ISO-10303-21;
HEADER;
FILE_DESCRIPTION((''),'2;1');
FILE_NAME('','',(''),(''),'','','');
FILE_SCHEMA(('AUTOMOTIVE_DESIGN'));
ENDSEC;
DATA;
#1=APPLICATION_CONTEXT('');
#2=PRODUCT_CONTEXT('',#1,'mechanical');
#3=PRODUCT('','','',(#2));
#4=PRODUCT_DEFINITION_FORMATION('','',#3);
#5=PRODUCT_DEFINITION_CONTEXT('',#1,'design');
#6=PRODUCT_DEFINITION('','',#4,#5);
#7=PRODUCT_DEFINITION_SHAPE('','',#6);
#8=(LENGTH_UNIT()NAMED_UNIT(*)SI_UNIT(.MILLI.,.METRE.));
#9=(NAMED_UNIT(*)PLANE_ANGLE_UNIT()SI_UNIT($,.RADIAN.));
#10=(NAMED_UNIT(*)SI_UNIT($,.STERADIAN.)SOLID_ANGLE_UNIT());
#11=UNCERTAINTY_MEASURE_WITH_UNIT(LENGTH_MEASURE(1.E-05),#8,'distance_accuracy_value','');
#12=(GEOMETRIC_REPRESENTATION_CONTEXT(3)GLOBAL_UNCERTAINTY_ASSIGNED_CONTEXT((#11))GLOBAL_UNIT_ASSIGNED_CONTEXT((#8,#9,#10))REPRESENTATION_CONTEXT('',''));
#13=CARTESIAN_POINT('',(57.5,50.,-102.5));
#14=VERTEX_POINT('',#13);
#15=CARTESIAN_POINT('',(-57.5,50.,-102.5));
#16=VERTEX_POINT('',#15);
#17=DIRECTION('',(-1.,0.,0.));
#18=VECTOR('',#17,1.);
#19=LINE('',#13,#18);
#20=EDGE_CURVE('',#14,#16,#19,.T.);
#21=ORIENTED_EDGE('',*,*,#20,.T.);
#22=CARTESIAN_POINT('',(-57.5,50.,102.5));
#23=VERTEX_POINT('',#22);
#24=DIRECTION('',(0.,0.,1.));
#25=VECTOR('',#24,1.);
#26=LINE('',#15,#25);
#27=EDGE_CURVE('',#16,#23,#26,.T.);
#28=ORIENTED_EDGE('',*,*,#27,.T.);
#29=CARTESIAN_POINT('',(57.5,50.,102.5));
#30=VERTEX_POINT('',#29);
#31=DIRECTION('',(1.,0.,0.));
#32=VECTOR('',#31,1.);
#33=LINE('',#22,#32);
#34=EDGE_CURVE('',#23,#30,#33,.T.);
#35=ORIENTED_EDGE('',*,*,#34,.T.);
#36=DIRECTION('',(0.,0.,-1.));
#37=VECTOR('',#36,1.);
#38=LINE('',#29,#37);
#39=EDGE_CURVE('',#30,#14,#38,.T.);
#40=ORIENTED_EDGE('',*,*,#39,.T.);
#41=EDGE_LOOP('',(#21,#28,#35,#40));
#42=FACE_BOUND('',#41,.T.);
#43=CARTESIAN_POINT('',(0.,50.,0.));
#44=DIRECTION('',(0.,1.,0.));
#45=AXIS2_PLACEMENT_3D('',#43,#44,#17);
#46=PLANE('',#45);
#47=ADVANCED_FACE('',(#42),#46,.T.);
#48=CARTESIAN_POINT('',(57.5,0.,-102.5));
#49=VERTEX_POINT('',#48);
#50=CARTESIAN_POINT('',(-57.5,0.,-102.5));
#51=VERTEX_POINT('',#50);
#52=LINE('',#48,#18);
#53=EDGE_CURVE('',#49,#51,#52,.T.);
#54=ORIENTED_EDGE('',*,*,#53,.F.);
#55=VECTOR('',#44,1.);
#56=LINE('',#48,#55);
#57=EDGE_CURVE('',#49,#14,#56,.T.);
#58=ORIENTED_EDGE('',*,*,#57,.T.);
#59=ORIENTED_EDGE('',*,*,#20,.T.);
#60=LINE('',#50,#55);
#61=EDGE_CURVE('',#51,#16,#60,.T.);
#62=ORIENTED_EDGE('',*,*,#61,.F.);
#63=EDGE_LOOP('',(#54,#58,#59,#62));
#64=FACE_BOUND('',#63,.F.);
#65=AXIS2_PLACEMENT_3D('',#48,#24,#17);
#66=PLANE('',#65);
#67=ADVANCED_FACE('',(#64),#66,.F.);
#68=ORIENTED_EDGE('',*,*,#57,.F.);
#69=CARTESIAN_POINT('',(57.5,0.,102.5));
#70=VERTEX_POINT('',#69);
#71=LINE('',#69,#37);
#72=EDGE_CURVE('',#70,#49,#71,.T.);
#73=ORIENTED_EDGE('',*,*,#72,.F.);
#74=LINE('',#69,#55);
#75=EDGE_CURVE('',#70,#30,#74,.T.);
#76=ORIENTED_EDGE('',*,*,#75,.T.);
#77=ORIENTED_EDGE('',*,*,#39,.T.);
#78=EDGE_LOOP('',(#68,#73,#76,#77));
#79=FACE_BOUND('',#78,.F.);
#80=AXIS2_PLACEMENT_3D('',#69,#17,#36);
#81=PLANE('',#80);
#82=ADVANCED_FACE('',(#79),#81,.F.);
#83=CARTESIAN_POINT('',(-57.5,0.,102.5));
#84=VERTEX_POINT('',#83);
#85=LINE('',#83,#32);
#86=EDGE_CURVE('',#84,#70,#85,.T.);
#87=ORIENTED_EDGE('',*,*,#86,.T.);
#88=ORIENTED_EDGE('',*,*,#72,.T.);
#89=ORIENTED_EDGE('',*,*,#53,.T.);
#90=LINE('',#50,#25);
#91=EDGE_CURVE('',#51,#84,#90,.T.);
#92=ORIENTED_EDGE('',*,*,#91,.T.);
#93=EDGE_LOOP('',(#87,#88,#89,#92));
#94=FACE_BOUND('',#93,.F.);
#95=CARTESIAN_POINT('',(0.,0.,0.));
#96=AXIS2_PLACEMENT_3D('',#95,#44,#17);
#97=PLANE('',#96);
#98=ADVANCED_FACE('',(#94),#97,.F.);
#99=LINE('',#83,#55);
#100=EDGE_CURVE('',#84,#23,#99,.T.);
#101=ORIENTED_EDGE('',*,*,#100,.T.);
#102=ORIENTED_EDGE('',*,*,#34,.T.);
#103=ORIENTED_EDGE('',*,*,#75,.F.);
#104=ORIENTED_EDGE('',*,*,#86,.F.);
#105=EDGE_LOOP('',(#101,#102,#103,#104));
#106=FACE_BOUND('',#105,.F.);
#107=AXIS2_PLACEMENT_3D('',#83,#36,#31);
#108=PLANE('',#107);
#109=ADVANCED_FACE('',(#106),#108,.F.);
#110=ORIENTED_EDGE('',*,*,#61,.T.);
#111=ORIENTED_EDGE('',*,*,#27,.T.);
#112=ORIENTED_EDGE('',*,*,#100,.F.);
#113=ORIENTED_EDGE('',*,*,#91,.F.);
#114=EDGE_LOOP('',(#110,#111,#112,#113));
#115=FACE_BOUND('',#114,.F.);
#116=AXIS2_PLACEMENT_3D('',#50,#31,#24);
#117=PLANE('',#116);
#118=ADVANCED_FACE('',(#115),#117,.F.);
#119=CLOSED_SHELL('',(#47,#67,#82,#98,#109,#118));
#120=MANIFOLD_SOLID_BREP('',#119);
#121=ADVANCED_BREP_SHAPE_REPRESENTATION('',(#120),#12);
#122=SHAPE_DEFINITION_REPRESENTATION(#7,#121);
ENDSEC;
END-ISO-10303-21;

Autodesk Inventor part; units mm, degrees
ref_plane "YZ Plane" through (0, 0, 0) normal (1, 0, 0) x (0, 1, 0)
ref_plane "XZ Plane" through (0, 0, 0) normal (0, 1, 0) x (-1, 0, 0)
ref_plane "XY Plane" through (0, 0, 0) normal (0, 0, 1) x (1, 0, 0)
sketch "Sketch1" plane through (0, 0, 0) normal (0, 1, 0) x (-1, 0, 0)
  line L0 (57.5, 102.5) -> (-57.5, 102.5)
  line L1 (-57.5, 102.5) -> (-57.5, -102.5)
  line L2 (-57.5, -102.5) -> (57.5, -102.5)
  line L3 (57.5, -102.5) -> (57.5, 102.5)
  point P0 (0, 0)
  point P1 (0, -102.5)
  point P2 (-57.5, 0)
  dimension "d0" = 115
  dimension "d1" = 205
extrude "Extrusion1" add sketch "Sketch1" along normal blind 50
properties part number "BLANK-BC-10007" material "Aço Carbono"
